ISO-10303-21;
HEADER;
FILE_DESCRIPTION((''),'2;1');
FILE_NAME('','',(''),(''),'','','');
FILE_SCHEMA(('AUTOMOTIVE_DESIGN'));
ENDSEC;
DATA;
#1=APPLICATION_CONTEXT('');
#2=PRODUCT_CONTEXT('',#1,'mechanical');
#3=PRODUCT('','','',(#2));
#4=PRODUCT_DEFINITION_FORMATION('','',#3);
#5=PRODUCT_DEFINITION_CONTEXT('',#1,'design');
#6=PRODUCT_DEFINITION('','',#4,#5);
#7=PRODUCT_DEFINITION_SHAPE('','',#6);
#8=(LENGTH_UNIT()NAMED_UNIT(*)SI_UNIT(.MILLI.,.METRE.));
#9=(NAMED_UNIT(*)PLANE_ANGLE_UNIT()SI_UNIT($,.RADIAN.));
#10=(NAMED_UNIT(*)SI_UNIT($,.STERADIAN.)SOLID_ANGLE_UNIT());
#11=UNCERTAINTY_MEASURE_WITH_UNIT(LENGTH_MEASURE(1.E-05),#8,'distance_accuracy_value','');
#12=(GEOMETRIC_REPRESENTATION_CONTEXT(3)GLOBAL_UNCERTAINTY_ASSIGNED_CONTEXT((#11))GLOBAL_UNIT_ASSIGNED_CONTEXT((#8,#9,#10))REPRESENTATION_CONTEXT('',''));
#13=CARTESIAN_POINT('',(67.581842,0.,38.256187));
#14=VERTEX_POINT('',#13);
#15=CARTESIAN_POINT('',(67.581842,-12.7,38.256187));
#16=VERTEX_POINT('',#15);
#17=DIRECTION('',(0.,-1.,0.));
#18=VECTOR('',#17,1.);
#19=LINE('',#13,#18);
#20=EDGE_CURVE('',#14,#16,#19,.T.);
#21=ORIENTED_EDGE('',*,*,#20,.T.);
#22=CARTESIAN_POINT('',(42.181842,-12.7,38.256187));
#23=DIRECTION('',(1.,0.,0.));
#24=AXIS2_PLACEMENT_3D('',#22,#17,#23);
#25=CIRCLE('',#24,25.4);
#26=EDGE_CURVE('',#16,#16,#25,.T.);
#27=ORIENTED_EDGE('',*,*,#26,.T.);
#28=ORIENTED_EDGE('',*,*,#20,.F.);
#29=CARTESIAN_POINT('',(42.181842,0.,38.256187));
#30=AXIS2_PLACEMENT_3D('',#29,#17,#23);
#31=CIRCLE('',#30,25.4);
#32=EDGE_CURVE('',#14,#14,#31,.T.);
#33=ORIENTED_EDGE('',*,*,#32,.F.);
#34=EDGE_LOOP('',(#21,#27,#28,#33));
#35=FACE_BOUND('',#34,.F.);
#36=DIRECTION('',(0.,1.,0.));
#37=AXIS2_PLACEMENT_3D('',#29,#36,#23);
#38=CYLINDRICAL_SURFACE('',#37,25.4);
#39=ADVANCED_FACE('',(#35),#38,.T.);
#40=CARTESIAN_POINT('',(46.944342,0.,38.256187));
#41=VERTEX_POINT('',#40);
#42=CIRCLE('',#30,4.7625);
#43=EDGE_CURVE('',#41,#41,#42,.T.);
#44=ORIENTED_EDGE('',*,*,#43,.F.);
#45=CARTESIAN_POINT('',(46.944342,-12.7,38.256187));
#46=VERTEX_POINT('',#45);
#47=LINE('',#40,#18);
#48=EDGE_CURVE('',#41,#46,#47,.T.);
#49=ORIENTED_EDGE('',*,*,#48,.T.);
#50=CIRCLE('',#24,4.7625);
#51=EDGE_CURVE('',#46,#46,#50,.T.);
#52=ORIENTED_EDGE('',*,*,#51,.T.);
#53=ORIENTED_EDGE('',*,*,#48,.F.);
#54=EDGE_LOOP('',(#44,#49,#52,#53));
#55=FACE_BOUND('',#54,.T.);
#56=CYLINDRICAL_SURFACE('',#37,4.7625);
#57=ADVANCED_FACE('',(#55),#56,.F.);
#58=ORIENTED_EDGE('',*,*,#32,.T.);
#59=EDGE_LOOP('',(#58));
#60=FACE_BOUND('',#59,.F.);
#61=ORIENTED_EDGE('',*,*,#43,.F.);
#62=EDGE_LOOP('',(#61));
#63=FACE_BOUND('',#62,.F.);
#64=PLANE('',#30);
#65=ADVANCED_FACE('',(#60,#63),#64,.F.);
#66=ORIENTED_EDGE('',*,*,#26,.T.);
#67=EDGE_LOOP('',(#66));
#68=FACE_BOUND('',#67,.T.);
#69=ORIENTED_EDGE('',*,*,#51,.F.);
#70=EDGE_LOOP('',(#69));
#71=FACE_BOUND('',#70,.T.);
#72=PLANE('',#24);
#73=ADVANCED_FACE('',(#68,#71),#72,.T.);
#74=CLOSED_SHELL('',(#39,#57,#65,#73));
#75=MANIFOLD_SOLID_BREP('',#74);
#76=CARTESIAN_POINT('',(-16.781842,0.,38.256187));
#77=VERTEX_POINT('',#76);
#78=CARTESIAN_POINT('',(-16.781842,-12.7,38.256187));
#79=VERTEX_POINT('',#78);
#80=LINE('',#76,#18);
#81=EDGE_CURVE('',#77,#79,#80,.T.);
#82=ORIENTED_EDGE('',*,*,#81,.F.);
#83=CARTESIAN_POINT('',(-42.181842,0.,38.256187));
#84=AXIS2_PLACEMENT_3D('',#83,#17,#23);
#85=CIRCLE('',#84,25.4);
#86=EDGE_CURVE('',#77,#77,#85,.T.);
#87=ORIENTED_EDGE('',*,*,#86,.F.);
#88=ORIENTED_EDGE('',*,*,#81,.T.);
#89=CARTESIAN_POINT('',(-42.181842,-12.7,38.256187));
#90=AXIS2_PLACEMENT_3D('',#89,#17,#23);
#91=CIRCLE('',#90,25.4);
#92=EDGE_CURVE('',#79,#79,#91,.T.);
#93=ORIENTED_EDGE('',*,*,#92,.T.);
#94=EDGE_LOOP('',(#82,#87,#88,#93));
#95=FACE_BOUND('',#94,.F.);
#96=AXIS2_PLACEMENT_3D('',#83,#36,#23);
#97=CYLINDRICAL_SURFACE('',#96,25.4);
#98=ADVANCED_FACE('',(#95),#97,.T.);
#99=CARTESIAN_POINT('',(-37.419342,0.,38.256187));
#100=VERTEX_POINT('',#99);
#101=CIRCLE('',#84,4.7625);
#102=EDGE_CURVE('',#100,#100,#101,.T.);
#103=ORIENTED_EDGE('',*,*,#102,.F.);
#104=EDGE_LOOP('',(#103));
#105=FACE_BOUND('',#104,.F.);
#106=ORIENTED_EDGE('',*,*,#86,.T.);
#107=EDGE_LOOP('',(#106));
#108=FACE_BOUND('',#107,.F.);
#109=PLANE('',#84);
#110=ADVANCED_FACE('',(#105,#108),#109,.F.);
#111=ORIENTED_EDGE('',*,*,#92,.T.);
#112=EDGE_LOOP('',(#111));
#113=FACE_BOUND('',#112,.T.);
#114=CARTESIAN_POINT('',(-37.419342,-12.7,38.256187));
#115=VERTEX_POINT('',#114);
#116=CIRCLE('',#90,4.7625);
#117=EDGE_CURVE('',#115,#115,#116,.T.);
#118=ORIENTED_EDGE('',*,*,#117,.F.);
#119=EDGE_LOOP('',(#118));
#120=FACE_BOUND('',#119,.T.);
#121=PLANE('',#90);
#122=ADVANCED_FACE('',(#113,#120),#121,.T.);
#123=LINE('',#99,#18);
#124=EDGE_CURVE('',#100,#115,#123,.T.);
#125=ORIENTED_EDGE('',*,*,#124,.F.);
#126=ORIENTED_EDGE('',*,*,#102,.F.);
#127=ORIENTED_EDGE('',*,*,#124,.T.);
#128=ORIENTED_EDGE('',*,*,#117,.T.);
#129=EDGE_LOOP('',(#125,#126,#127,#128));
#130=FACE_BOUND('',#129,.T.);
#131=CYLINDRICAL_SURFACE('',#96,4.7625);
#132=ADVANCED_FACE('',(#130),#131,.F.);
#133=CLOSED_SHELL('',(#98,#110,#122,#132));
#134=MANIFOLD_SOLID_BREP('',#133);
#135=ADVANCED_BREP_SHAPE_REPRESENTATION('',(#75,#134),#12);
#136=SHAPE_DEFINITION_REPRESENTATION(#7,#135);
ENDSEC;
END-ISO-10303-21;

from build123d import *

# Parameters (mm, degrees)
F0_R     = 25.4
F0_R_2   = 4.7625
F1_DEPTH = 12.7


with BuildPart() as f1:
    # F0 (on Front) → F1 (new body)
    with BuildSketch(Plane.XZ):
        with Locations((-42.181842, 38.256187)):
            Circle(F0_R)
        with Locations((-42.181842, 38.256187)):
            Circle(F0_R_2, mode=Mode.SUBTRACT)
        with Locations((42.181842, 38.256187)):
            Circle(F0_R)
        with Locations((42.181842, 38.256187)):
            Circle(F0_R_2, mode=Mode.SUBTRACT)
    extrude(amount=F1_DEPTH)


solid = f1.part
